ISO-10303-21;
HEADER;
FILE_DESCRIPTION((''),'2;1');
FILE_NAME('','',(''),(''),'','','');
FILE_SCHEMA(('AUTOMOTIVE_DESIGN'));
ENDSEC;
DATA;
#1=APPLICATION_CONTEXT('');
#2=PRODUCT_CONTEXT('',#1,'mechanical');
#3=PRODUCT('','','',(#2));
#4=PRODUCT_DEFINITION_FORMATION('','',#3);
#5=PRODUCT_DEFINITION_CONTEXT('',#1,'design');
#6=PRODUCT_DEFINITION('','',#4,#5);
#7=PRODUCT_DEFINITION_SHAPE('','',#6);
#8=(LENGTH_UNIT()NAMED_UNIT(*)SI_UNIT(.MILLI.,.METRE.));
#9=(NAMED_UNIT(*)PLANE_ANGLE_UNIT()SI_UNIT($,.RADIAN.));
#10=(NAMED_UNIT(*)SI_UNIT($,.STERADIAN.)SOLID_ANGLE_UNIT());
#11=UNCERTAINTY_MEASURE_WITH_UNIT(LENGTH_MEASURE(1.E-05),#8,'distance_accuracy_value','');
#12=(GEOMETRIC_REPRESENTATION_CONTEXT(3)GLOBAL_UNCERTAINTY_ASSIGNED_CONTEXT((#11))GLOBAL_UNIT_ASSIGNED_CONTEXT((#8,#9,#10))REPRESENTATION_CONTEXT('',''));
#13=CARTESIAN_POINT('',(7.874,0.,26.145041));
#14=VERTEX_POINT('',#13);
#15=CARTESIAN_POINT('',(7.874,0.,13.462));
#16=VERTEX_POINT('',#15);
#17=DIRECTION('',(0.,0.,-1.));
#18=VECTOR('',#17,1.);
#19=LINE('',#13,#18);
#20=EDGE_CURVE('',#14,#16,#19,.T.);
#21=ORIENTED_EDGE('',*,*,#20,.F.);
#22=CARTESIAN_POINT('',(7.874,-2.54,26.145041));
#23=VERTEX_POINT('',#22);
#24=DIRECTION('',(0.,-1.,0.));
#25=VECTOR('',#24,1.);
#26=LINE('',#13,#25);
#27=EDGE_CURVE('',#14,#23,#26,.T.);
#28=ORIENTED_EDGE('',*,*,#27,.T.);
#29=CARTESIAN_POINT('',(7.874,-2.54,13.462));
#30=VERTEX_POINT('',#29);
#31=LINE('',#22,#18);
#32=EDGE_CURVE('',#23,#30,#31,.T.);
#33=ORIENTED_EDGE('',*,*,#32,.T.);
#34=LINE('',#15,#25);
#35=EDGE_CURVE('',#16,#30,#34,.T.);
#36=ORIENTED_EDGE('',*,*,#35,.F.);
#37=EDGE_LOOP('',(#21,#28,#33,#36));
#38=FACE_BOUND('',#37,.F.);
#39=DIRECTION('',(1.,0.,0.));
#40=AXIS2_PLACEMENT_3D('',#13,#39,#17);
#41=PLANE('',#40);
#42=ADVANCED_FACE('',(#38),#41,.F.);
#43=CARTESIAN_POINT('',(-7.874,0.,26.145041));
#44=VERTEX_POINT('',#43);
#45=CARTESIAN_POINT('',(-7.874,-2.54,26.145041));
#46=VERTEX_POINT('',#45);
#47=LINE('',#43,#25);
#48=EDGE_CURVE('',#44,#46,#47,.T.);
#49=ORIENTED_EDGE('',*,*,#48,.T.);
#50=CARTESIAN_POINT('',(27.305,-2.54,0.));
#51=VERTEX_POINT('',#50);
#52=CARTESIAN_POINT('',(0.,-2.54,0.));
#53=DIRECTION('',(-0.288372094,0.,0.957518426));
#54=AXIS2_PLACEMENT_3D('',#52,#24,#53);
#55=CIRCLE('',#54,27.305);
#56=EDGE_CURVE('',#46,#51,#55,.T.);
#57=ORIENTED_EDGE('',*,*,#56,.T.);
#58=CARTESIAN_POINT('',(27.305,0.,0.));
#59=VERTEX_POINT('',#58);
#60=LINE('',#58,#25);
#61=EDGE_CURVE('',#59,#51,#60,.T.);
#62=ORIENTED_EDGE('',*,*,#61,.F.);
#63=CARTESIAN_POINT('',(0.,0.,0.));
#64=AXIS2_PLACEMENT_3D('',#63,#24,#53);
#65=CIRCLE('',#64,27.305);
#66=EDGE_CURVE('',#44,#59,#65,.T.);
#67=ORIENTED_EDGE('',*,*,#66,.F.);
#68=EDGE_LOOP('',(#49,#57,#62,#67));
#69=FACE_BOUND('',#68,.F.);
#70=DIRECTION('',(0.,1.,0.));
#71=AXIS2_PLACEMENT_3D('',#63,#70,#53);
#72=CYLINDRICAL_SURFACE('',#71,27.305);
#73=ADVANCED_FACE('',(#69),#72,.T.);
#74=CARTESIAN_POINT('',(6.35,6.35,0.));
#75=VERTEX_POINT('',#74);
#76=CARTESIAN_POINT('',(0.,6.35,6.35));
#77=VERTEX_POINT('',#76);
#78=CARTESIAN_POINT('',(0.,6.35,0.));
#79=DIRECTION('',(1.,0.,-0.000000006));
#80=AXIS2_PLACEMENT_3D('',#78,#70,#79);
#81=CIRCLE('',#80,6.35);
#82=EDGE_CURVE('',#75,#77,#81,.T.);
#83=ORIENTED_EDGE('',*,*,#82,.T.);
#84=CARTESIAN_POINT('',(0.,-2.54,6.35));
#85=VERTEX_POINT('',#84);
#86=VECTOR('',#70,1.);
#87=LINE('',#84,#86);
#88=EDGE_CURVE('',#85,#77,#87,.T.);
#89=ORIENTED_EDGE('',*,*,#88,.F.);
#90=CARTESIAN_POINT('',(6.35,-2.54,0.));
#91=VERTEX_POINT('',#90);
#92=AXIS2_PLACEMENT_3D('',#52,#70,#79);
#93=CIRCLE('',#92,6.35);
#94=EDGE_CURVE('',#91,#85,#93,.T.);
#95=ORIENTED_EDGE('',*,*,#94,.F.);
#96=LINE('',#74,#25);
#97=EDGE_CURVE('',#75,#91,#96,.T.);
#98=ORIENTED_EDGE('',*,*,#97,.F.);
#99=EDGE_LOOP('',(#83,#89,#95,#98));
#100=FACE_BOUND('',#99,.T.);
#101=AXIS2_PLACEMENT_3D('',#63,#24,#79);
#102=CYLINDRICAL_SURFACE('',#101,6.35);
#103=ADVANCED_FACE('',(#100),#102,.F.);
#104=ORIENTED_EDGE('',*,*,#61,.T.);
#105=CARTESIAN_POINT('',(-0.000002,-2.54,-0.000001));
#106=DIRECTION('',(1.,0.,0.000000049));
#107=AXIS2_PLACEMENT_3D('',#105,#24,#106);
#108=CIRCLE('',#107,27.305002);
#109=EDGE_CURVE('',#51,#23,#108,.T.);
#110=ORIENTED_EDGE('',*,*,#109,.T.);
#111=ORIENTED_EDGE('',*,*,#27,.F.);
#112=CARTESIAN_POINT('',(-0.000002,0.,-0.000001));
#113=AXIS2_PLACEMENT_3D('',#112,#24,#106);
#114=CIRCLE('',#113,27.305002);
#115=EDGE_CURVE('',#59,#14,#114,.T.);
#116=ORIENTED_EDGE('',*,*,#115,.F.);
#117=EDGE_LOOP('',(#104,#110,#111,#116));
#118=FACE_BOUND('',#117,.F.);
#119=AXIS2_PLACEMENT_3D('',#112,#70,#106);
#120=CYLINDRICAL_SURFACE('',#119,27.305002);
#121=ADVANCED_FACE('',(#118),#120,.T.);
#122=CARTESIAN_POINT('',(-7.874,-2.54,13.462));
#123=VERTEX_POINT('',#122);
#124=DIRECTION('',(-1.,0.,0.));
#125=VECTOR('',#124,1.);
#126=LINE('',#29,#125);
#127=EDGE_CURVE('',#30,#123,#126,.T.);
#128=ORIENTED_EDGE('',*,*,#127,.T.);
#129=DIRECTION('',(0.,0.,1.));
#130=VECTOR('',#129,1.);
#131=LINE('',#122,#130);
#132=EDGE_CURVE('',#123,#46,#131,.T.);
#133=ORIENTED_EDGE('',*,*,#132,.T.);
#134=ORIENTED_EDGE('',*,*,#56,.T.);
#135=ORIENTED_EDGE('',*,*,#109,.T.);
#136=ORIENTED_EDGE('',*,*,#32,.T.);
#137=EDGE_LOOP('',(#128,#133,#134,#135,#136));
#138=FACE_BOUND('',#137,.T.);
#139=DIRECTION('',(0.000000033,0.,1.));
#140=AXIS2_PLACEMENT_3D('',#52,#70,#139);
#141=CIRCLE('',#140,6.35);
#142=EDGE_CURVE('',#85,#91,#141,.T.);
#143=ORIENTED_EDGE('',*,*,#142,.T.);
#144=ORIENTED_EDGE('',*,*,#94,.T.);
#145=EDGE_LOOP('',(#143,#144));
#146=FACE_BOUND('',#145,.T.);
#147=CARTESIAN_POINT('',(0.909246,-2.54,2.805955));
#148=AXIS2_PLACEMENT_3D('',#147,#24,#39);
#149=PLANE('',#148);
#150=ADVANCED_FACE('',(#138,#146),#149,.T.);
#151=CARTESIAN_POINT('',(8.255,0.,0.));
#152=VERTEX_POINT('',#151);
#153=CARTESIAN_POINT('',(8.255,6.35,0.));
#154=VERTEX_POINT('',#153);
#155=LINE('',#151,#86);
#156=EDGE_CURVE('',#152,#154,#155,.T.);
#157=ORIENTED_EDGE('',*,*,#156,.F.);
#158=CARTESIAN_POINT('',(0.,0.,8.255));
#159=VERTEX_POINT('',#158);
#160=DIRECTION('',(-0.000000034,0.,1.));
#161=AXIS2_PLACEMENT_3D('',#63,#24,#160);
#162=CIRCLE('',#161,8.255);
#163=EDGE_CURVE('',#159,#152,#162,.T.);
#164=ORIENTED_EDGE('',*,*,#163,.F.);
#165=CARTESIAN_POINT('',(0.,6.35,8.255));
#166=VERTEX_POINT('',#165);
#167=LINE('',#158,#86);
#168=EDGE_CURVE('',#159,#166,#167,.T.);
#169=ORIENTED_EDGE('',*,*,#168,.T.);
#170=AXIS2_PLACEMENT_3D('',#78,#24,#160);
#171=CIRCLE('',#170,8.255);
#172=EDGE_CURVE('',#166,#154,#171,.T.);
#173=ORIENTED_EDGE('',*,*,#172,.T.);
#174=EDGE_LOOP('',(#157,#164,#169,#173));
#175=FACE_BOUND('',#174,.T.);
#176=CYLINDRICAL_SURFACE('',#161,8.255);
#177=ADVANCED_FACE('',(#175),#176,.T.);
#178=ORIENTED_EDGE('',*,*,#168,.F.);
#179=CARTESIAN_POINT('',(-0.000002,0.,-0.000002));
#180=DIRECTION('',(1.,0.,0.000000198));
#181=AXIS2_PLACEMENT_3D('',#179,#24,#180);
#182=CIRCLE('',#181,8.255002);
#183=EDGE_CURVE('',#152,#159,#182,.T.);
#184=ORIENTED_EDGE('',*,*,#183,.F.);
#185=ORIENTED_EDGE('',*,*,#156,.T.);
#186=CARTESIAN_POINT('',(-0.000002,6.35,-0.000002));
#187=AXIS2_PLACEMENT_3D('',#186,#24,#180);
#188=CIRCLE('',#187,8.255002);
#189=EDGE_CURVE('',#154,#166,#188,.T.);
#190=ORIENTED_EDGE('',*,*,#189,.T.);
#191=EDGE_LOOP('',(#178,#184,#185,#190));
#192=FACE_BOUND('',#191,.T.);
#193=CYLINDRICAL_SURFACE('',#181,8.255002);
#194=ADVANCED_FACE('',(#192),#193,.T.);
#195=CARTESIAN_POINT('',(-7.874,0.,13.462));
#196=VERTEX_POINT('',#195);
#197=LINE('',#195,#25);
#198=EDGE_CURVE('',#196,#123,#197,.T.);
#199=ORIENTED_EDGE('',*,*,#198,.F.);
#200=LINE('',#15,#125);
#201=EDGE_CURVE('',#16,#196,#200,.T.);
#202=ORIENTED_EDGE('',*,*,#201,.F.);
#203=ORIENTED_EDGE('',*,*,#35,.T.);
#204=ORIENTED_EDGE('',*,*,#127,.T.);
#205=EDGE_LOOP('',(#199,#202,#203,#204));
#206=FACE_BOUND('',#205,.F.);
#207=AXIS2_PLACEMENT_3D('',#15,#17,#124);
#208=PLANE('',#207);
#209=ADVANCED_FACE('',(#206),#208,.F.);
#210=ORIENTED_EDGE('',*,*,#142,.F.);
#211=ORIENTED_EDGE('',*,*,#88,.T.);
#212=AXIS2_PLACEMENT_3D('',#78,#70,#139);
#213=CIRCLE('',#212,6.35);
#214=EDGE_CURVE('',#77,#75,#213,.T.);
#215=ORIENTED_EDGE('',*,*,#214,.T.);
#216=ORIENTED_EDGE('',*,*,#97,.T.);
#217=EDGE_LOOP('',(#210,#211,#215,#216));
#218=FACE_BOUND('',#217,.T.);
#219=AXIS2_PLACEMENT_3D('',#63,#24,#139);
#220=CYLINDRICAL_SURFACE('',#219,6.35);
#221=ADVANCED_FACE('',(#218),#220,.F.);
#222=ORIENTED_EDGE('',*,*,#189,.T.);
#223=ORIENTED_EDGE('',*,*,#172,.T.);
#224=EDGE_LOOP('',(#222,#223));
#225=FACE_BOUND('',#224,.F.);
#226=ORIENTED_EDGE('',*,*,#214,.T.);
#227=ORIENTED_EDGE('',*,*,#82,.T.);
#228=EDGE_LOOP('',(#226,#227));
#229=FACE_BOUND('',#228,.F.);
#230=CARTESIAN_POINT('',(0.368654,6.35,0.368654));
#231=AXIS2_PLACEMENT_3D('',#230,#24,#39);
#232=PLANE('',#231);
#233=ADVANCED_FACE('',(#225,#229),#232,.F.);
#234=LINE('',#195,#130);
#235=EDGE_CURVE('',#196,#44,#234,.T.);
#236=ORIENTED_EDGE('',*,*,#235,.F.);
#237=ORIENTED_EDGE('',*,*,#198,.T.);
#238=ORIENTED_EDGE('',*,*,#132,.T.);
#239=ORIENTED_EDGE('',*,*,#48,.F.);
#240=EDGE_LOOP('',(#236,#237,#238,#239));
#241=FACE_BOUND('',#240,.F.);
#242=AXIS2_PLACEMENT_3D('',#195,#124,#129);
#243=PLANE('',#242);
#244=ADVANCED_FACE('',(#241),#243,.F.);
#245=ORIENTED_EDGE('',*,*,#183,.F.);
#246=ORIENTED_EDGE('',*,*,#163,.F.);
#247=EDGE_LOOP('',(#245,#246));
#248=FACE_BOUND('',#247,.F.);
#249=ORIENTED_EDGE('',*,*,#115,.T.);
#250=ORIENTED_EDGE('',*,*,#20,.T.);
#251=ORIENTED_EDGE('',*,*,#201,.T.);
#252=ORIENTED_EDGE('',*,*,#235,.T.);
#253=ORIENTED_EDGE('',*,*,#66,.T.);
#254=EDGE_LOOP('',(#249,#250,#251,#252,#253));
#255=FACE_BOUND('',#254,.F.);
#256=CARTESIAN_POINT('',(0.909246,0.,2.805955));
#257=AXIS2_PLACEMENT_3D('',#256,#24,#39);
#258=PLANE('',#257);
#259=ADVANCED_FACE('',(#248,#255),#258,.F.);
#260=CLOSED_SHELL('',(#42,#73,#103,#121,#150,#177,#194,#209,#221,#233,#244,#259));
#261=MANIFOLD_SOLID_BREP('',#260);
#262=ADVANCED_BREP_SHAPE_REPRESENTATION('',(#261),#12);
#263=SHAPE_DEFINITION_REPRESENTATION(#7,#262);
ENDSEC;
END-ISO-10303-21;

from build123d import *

# Parameters (mm, degrees)
F1_DEPTH = 2.54
F2_DEPTH = 6.35


with BuildPart() as f1:
    # F0 (on Front) → F1 (new body)
    with BuildSketch(Plane.XZ):
        with BuildLine():
            ThreePointArc((-7.874, 26.145041), (-16.287471, -21.915321), (27.305, 0))
            ThreePointArc((27.305, 0), (21.915321, 16.287471), (7.874, 26.145041))
            Line((7.874, 26.145041), (7.874, 13.462))
            Line((7.874, 13.462), (0, 13.462))
            Line((0, 13.462), (-7.874, 13.462))
            Line((-7.874, 13.462), (-7.874, 26.145041))
        make_face()
        with BuildLine():
            ThreePointArc((8.255, 0), (-5.837166, -5.837166), (0, 8.255))
            ThreePointArc((0, 8.255), (5.837166, 5.837166), (8.255, 0))
        make_face(mode=Mode.SUBTRACT)
        with BuildLine():
            ThreePointArc((8.255, 0), (5.837166, 5.837166), (0, 8.255))
            ThreePointArc((0, 8.255), (-5.837166, -5.837166), (8.255, 0))
        make_face()
        with BuildLine():
            ThreePointArc((6.35, 0), (-4.490128, -4.490128), (0, 6.35))
            ThreePointArc((0, 6.35), (4.490128, 4.490128), (6.35, 0))
        make_face(mode=Mode.SUBTRACT)
    extrude(amount=F1_DEPTH)

    # F0 (on Front) → F2 (join)
    with BuildSketch(Plane.XZ):
        with BuildLine():
            ThreePointArc((8.255, 0), (5.837166, 5.837166), (0, 8.255))
            ThreePointArc((0, 8.255), (-5.837166, -5.837166), (8.255, 0))
        make_face()
        with BuildLine():
            ThreePointArc((6.35, 0), (-4.490128, -4.490128), (0, 6.35))
            ThreePointArc((0, 6.35), (4.490128, 4.490128), (6.35, 0))
        make_face(mode=Mode.SUBTRACT)
    extrude(amount=-F2_DEPTH)


solid = f1.part
